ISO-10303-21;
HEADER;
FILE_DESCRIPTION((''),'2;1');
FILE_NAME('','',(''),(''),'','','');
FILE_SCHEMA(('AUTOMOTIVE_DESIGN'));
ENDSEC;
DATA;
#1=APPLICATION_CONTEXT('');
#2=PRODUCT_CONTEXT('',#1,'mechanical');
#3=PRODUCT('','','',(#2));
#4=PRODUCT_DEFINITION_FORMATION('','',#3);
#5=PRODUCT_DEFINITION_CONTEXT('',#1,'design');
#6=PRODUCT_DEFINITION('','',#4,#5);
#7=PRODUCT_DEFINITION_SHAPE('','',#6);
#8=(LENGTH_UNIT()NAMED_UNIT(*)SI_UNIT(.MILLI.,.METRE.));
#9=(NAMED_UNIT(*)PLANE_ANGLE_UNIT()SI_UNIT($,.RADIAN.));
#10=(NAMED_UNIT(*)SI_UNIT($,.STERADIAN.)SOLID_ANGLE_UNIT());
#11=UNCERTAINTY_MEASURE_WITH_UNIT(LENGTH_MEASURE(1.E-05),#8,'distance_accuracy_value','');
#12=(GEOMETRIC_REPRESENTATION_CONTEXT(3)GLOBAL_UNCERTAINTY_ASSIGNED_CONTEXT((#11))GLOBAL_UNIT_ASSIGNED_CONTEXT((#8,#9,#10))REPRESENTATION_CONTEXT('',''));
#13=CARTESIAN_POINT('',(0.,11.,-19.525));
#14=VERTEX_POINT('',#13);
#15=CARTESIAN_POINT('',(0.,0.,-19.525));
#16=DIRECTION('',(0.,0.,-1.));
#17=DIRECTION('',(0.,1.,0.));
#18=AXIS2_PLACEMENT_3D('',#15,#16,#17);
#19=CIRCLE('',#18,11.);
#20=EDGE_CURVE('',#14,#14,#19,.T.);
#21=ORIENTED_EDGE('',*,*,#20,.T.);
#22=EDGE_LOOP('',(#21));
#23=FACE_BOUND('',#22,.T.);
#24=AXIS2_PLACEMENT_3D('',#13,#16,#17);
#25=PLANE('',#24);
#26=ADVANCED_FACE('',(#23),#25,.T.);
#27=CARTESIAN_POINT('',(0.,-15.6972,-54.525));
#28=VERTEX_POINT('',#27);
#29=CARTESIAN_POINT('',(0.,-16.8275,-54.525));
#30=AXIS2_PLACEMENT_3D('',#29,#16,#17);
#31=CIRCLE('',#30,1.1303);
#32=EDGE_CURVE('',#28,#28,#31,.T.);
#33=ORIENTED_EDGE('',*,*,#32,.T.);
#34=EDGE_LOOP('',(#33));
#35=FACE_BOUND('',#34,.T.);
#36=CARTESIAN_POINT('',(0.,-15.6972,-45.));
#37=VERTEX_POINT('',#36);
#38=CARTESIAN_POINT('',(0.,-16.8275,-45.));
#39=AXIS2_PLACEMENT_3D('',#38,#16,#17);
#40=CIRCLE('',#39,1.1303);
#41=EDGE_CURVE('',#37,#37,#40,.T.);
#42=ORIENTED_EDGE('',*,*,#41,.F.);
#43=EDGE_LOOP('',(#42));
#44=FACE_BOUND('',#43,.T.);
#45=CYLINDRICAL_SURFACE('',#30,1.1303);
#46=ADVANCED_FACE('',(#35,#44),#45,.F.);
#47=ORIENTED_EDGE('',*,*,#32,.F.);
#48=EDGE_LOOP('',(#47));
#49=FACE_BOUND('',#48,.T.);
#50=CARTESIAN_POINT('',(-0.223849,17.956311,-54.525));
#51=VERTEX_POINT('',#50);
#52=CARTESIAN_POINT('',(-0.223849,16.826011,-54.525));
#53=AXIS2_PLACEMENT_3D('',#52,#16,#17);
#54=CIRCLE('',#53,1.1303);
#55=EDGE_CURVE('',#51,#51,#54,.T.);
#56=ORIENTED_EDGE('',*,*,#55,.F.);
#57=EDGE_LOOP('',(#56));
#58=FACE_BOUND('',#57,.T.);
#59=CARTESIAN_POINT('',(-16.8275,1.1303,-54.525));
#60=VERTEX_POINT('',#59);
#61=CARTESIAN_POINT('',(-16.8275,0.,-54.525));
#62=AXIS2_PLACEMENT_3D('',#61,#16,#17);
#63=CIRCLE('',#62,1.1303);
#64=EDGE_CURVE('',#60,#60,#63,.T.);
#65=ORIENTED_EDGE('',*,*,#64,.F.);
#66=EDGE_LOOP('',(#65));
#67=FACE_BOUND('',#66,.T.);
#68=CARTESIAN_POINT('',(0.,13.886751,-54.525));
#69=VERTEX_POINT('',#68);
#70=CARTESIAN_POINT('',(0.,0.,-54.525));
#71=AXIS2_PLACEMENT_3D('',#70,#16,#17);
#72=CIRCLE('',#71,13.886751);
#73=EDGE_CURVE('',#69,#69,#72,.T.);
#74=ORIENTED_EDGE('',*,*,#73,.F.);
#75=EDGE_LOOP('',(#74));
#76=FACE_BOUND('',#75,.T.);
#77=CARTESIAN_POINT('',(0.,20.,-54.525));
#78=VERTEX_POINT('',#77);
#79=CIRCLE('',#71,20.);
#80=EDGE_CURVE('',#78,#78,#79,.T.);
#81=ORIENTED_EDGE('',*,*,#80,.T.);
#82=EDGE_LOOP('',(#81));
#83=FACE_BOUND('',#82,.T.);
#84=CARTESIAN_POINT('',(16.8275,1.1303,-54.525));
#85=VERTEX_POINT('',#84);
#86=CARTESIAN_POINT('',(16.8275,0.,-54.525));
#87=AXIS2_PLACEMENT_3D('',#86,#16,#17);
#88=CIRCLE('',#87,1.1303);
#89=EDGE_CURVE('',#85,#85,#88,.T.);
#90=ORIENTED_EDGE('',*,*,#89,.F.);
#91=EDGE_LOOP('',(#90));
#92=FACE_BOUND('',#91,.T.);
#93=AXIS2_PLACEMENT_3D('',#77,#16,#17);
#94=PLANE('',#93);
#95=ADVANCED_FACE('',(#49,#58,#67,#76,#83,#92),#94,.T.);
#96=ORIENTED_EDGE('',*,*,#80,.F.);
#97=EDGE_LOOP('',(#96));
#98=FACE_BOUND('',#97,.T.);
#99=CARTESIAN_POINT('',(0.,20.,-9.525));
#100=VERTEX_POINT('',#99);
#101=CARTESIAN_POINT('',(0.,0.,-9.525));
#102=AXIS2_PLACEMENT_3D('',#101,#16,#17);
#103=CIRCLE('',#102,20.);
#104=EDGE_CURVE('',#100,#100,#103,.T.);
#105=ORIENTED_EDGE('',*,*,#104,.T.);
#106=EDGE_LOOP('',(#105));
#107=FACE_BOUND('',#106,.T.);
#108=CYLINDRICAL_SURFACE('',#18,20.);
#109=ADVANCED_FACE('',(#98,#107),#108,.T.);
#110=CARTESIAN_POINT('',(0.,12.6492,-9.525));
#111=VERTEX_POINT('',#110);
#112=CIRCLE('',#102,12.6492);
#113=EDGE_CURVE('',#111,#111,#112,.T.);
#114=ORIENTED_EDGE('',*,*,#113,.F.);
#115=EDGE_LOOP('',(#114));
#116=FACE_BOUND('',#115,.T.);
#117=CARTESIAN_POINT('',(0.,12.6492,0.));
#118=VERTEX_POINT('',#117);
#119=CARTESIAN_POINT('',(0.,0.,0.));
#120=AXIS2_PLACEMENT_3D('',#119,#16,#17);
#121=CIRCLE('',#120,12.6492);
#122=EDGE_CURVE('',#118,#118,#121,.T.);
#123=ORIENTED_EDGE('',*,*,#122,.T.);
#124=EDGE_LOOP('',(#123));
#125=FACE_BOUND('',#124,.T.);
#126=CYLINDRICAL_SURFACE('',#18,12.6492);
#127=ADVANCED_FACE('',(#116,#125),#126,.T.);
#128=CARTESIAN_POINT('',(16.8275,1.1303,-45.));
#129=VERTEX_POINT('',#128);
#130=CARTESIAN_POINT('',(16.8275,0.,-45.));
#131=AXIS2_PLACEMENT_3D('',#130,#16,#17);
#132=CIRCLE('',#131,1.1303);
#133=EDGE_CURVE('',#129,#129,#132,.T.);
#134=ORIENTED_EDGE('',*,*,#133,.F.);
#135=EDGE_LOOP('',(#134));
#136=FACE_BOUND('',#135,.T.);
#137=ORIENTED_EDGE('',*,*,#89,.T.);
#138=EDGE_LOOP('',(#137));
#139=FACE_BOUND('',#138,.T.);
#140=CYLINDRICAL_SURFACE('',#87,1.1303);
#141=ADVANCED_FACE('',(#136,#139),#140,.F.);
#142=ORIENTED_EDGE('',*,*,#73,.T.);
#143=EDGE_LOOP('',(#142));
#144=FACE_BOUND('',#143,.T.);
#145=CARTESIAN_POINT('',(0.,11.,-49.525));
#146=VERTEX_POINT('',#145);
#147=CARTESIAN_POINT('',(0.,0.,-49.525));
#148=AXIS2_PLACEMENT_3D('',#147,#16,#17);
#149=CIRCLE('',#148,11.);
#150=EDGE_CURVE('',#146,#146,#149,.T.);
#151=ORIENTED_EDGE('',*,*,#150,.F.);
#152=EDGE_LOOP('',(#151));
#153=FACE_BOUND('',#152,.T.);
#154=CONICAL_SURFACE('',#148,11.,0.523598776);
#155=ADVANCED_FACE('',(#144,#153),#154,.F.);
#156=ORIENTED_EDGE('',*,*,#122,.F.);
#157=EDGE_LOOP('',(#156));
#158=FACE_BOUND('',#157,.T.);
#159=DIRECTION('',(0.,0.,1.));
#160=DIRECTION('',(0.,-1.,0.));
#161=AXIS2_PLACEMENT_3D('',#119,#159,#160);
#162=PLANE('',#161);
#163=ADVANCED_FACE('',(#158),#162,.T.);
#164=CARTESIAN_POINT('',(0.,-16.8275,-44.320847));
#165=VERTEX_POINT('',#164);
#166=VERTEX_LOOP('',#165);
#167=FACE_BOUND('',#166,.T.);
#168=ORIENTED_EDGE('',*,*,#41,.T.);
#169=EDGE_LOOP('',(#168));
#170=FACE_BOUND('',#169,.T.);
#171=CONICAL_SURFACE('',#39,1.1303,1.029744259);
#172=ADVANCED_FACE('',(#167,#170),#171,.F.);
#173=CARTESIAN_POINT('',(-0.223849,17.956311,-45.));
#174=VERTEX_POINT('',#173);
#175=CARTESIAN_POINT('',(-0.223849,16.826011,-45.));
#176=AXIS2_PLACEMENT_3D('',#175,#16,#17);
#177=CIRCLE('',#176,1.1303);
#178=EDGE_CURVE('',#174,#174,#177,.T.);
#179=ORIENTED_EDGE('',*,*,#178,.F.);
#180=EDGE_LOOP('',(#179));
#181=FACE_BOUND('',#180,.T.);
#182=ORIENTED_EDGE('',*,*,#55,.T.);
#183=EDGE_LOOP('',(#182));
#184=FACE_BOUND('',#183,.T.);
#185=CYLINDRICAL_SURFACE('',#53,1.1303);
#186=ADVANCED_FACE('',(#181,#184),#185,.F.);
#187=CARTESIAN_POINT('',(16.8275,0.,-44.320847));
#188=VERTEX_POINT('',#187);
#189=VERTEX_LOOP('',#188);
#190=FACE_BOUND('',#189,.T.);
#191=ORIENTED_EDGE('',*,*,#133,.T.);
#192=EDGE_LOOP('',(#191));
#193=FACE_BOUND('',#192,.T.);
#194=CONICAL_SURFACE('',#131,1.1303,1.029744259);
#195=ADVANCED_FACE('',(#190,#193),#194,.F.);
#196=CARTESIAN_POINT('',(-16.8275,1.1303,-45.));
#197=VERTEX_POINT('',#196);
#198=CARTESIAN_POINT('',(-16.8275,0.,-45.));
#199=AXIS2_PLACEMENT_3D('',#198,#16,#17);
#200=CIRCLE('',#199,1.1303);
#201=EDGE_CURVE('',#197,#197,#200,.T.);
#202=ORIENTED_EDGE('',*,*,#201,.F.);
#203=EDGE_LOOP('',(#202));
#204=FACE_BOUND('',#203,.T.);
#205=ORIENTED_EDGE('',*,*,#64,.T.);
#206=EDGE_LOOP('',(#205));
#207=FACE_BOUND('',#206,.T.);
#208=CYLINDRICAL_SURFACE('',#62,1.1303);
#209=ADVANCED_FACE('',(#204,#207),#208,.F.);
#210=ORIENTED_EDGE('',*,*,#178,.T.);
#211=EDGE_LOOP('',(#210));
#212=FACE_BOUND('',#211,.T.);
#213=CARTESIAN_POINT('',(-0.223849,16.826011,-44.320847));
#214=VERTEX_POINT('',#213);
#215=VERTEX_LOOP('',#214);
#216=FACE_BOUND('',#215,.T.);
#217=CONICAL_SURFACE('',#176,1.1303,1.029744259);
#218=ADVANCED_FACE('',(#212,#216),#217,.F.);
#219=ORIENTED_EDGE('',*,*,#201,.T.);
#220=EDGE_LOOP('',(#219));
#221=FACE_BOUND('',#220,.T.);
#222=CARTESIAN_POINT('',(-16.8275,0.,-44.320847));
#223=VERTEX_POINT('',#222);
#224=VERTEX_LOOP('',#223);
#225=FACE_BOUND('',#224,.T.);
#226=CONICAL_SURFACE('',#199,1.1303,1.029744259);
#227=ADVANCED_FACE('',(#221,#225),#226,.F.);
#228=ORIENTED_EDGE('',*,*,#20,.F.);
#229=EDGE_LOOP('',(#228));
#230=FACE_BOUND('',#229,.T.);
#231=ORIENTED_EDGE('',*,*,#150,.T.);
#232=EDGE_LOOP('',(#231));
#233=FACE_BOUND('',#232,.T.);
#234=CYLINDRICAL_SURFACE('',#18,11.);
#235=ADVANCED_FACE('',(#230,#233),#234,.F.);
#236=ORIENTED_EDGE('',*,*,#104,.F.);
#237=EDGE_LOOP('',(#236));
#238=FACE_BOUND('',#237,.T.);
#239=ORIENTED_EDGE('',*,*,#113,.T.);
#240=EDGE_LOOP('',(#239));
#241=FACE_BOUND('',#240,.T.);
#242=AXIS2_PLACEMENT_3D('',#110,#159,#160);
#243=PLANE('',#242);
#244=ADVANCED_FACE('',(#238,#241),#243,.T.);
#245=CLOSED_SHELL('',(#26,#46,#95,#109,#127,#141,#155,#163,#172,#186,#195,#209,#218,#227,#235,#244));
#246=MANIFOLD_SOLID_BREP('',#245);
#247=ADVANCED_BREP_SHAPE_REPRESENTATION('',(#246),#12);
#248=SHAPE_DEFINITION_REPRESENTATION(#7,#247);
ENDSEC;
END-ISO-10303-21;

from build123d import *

# Parameters (mm, degrees)
F_4_40_TAPPED_HOLE1_D     = 2.2606
F_4_40_TAPPED_HOLE1_DEPTH = 9.525
F_4_40_TAPPED_HOLE1_TIP   = 0.679152758


with BuildPart() as part:
    # Sketch1 → Revolve1 (revolve)
    with BuildSketch(Plane(origin=(0, 0, 0), x_dir=(0, 0, -1), z_dir=(1, 0, 0))):
        Polygon((0, 0), (0, 12.6492), (9.525, 12.6492), (9.525, 20), (54.525, 20), (54.525, 13.886751346), (49.525, 11), (19.525, 11), (19.525, 0), align=None)
    revolve(axis=Axis((0, 0, -19.525), (0, 0, 1)))

    # #4-40 Tapped Hole1
    with Locations(Plane(origin=(0, 0, -54.525), x_dir=(-1, 0, 0), z_dir=(0, 0, -1))):
        with Locations((16.8275, 0), (0.223849371, 16.826011046), (0, -16.8275), (-16.8275, 0)):
            Hole(F_4_40_TAPPED_HOLE1_D / 2, depth=F_4_40_TAPPED_HOLE1_DEPTH)
            with Locations((0, 0, -(F_4_40_TAPPED_HOLE1_DEPTH + F_4_40_TAPPED_HOLE1_TIP / 2))):  # 118° drill point
                Cone(0, F_4_40_TAPPED_HOLE1_D / 2, F_4_40_TAPPED_HOLE1_TIP, mode=Mode.SUBTRACT)


solid = part.part
